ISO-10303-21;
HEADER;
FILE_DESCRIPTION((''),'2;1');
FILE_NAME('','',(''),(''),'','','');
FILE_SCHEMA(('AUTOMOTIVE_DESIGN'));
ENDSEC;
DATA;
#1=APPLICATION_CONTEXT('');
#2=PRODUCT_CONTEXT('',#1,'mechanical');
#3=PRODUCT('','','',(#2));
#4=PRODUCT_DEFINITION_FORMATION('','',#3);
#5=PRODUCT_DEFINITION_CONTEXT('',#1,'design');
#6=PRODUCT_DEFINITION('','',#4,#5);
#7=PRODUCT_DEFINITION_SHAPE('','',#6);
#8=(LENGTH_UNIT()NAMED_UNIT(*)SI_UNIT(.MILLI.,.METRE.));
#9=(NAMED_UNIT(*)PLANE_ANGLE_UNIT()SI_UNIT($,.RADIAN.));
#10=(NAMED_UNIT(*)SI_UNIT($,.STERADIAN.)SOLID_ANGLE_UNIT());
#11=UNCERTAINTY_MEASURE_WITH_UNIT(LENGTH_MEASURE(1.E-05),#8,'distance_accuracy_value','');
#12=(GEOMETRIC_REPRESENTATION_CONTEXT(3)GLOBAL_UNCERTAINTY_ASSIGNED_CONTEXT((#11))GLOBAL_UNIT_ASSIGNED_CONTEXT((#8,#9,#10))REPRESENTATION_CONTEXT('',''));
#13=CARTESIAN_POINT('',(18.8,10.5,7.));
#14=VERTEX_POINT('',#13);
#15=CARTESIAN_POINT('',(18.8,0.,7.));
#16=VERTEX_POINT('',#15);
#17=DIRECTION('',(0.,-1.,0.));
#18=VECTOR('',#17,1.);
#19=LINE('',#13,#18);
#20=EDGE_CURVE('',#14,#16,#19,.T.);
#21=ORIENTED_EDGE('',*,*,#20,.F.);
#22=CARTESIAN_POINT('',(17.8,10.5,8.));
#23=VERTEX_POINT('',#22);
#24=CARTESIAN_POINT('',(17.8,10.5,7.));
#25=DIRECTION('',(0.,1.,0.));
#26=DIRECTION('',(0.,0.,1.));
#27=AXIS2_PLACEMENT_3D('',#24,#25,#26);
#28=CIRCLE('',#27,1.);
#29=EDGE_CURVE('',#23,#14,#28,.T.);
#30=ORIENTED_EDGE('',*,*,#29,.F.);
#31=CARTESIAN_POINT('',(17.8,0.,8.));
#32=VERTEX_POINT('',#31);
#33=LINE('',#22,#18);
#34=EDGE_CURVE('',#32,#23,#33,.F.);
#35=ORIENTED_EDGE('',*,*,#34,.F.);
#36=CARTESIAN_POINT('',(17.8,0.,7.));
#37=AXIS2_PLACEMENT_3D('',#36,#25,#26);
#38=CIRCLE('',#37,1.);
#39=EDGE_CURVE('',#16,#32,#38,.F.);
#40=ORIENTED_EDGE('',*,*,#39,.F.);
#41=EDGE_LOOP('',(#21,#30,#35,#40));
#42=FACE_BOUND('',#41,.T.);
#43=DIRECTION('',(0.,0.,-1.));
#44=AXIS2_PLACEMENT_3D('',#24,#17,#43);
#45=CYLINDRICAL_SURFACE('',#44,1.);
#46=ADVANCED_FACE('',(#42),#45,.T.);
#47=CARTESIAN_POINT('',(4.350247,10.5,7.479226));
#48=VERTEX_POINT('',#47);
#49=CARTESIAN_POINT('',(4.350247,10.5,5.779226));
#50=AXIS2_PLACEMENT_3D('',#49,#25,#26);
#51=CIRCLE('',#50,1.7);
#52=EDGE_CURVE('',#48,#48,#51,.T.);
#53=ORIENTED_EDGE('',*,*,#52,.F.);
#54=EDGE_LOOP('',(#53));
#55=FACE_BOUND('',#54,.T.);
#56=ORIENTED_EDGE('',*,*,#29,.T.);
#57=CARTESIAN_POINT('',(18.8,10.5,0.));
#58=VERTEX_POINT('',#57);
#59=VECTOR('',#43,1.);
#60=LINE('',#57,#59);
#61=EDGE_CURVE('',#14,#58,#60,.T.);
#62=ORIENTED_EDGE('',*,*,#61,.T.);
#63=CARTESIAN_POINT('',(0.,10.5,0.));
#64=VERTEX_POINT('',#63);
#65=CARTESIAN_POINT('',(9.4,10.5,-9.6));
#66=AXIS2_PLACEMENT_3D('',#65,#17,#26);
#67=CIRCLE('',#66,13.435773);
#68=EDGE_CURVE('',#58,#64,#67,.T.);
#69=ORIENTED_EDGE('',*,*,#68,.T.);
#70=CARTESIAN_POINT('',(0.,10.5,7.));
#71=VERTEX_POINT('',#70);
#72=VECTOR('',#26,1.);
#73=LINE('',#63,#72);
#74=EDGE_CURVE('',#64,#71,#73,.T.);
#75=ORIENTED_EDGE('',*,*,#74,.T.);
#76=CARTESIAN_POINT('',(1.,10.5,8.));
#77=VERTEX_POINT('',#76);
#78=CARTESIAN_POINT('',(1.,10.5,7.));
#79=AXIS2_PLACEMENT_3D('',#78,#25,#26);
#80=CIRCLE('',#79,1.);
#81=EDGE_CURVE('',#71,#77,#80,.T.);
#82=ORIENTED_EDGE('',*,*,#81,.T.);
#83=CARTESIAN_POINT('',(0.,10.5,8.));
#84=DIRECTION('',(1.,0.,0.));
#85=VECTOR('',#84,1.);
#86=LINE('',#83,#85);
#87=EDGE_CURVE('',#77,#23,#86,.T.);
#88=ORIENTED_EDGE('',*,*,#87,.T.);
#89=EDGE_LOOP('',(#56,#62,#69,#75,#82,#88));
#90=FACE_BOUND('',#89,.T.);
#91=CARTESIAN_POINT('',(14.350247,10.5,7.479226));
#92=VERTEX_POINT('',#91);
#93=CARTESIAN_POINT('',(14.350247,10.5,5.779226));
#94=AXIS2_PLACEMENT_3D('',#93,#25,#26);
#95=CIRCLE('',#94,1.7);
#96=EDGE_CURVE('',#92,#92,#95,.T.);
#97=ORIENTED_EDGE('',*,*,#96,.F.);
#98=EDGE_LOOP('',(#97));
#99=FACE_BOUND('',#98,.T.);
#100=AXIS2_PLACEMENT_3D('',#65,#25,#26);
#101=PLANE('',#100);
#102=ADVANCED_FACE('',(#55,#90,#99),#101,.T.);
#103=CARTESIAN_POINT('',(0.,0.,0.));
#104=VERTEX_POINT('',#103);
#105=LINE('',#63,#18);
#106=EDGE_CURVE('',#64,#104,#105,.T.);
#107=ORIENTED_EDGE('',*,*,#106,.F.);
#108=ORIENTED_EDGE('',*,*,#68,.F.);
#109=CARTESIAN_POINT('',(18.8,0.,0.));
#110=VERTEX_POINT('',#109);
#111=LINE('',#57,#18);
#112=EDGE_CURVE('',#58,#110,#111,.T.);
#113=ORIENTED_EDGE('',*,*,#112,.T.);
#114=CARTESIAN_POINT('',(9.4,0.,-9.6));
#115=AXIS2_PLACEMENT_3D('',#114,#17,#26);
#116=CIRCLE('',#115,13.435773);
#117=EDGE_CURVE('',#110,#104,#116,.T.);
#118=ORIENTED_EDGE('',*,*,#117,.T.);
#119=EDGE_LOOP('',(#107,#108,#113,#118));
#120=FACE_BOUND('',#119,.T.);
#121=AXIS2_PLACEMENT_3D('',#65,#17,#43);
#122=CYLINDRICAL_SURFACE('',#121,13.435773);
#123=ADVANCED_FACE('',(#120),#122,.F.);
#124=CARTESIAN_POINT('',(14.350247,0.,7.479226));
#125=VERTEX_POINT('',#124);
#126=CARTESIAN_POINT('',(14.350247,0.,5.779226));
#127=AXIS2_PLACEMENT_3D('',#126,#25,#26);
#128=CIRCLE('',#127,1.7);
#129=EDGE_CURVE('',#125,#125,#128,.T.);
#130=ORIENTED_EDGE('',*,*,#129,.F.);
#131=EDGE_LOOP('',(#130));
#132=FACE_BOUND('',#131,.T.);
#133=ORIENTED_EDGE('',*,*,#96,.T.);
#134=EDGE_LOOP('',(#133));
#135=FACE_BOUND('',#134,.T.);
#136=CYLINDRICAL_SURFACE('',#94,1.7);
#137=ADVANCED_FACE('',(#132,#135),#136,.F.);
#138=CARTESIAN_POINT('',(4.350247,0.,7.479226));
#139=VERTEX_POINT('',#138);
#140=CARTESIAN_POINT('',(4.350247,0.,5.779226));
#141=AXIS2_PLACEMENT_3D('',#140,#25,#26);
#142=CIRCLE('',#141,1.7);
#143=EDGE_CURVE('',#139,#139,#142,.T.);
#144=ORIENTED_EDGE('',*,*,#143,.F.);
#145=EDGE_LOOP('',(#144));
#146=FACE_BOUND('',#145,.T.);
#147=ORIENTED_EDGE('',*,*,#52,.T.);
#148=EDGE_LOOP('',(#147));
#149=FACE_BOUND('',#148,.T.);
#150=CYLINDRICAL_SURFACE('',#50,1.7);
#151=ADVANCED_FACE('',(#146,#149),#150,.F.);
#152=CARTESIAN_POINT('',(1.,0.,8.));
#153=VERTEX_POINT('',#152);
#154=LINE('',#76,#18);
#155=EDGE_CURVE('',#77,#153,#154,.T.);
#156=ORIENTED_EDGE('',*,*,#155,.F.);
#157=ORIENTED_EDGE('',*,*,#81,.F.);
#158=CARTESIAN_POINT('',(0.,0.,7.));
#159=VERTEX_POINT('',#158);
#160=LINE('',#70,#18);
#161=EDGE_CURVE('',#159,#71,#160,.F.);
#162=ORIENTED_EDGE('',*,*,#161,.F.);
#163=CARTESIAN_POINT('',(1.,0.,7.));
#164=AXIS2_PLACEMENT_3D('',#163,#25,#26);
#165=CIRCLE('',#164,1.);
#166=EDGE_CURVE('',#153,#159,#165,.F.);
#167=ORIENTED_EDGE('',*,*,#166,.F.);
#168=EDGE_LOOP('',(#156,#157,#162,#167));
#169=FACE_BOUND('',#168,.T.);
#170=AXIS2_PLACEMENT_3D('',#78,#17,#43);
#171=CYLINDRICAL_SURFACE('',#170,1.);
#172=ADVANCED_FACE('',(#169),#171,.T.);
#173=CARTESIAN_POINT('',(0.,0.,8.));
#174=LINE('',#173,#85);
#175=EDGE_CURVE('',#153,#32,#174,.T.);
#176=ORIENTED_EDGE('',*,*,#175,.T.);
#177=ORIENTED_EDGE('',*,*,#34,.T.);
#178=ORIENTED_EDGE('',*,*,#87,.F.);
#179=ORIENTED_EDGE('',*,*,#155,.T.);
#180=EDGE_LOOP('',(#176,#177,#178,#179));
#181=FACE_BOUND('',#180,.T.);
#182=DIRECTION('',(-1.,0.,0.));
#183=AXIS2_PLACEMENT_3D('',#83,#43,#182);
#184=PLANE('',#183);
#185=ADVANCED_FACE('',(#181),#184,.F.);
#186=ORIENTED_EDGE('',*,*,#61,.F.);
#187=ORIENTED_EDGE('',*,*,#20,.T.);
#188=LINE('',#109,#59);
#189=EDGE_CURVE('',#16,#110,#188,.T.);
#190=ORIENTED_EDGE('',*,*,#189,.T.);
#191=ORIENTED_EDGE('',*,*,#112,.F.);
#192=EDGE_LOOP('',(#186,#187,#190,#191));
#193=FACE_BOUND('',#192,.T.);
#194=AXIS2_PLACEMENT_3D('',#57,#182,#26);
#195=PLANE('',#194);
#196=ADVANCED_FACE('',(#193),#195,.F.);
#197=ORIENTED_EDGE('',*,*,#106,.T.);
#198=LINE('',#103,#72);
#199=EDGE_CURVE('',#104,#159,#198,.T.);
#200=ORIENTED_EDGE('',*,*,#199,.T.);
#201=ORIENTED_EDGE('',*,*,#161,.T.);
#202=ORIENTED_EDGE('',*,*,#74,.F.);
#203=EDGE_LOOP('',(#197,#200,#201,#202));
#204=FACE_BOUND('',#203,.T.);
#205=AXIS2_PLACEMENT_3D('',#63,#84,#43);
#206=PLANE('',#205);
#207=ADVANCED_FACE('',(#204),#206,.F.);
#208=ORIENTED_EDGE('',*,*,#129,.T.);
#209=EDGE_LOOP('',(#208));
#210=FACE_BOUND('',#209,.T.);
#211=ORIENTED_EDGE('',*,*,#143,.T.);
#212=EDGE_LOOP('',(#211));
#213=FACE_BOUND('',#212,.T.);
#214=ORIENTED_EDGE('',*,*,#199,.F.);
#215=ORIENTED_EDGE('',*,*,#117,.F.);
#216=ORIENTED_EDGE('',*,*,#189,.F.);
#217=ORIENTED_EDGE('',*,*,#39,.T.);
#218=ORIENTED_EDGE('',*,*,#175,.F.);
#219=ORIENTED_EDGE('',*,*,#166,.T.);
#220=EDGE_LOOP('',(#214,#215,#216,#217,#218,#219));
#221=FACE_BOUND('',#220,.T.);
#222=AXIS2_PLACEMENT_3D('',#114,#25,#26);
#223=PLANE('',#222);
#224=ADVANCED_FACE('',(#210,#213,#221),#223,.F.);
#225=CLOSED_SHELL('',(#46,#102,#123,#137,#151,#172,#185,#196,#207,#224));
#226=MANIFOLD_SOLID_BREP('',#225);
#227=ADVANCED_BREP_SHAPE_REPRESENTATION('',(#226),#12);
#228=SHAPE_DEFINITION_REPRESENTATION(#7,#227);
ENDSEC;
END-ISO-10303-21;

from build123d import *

# Parameters (mm, degrees)
EXTRUDE_1_DEPTH   = 10.5
FILLET_1_R        = 1
HOLE_WIZARD_M31_D = 3.4


with BuildPart() as part:
    # Эскиз1 → Бобышка-Вытянуть1 (new body)
    with BuildSketch(Plane(origin=(0, 0, 0), x_dir=(1, 0, 0), z_dir=(0, 1, 0))):
        with BuildLine():
            Line((0, 0), (0, -8))
            Line((0, -8), (18.8, -8))
            Line((18.8, -8), (18.8, 0))
            ThreePointArc((18.8, 0), (9.4, -3.835773145), (0, 0))
        make_face()
    extrude(amount=EXTRUDE_1_DEPTH)

    # Скругление1
    fillet_1_edges = [part.edges().sort_by_distance(p)[0] for p in [
        (18.8, 5.25, 8),
        (0, 5.25, 8),
    ]]
    fillet(fillet_1_edges, radius=FILLET_1_R)

    # Отверстие с зазором M31 (through all)
    with Locations(Plane(origin=(0, 10.5, 0), x_dir=(1, 0, 0), z_dir=(0, 1, 0))):
        with Locations((4.350247301, -5.779226371), (14.350247301, -5.779226371)):
            Hole(HOLE_WIZARD_M31_D / 2)


solid = part.part
